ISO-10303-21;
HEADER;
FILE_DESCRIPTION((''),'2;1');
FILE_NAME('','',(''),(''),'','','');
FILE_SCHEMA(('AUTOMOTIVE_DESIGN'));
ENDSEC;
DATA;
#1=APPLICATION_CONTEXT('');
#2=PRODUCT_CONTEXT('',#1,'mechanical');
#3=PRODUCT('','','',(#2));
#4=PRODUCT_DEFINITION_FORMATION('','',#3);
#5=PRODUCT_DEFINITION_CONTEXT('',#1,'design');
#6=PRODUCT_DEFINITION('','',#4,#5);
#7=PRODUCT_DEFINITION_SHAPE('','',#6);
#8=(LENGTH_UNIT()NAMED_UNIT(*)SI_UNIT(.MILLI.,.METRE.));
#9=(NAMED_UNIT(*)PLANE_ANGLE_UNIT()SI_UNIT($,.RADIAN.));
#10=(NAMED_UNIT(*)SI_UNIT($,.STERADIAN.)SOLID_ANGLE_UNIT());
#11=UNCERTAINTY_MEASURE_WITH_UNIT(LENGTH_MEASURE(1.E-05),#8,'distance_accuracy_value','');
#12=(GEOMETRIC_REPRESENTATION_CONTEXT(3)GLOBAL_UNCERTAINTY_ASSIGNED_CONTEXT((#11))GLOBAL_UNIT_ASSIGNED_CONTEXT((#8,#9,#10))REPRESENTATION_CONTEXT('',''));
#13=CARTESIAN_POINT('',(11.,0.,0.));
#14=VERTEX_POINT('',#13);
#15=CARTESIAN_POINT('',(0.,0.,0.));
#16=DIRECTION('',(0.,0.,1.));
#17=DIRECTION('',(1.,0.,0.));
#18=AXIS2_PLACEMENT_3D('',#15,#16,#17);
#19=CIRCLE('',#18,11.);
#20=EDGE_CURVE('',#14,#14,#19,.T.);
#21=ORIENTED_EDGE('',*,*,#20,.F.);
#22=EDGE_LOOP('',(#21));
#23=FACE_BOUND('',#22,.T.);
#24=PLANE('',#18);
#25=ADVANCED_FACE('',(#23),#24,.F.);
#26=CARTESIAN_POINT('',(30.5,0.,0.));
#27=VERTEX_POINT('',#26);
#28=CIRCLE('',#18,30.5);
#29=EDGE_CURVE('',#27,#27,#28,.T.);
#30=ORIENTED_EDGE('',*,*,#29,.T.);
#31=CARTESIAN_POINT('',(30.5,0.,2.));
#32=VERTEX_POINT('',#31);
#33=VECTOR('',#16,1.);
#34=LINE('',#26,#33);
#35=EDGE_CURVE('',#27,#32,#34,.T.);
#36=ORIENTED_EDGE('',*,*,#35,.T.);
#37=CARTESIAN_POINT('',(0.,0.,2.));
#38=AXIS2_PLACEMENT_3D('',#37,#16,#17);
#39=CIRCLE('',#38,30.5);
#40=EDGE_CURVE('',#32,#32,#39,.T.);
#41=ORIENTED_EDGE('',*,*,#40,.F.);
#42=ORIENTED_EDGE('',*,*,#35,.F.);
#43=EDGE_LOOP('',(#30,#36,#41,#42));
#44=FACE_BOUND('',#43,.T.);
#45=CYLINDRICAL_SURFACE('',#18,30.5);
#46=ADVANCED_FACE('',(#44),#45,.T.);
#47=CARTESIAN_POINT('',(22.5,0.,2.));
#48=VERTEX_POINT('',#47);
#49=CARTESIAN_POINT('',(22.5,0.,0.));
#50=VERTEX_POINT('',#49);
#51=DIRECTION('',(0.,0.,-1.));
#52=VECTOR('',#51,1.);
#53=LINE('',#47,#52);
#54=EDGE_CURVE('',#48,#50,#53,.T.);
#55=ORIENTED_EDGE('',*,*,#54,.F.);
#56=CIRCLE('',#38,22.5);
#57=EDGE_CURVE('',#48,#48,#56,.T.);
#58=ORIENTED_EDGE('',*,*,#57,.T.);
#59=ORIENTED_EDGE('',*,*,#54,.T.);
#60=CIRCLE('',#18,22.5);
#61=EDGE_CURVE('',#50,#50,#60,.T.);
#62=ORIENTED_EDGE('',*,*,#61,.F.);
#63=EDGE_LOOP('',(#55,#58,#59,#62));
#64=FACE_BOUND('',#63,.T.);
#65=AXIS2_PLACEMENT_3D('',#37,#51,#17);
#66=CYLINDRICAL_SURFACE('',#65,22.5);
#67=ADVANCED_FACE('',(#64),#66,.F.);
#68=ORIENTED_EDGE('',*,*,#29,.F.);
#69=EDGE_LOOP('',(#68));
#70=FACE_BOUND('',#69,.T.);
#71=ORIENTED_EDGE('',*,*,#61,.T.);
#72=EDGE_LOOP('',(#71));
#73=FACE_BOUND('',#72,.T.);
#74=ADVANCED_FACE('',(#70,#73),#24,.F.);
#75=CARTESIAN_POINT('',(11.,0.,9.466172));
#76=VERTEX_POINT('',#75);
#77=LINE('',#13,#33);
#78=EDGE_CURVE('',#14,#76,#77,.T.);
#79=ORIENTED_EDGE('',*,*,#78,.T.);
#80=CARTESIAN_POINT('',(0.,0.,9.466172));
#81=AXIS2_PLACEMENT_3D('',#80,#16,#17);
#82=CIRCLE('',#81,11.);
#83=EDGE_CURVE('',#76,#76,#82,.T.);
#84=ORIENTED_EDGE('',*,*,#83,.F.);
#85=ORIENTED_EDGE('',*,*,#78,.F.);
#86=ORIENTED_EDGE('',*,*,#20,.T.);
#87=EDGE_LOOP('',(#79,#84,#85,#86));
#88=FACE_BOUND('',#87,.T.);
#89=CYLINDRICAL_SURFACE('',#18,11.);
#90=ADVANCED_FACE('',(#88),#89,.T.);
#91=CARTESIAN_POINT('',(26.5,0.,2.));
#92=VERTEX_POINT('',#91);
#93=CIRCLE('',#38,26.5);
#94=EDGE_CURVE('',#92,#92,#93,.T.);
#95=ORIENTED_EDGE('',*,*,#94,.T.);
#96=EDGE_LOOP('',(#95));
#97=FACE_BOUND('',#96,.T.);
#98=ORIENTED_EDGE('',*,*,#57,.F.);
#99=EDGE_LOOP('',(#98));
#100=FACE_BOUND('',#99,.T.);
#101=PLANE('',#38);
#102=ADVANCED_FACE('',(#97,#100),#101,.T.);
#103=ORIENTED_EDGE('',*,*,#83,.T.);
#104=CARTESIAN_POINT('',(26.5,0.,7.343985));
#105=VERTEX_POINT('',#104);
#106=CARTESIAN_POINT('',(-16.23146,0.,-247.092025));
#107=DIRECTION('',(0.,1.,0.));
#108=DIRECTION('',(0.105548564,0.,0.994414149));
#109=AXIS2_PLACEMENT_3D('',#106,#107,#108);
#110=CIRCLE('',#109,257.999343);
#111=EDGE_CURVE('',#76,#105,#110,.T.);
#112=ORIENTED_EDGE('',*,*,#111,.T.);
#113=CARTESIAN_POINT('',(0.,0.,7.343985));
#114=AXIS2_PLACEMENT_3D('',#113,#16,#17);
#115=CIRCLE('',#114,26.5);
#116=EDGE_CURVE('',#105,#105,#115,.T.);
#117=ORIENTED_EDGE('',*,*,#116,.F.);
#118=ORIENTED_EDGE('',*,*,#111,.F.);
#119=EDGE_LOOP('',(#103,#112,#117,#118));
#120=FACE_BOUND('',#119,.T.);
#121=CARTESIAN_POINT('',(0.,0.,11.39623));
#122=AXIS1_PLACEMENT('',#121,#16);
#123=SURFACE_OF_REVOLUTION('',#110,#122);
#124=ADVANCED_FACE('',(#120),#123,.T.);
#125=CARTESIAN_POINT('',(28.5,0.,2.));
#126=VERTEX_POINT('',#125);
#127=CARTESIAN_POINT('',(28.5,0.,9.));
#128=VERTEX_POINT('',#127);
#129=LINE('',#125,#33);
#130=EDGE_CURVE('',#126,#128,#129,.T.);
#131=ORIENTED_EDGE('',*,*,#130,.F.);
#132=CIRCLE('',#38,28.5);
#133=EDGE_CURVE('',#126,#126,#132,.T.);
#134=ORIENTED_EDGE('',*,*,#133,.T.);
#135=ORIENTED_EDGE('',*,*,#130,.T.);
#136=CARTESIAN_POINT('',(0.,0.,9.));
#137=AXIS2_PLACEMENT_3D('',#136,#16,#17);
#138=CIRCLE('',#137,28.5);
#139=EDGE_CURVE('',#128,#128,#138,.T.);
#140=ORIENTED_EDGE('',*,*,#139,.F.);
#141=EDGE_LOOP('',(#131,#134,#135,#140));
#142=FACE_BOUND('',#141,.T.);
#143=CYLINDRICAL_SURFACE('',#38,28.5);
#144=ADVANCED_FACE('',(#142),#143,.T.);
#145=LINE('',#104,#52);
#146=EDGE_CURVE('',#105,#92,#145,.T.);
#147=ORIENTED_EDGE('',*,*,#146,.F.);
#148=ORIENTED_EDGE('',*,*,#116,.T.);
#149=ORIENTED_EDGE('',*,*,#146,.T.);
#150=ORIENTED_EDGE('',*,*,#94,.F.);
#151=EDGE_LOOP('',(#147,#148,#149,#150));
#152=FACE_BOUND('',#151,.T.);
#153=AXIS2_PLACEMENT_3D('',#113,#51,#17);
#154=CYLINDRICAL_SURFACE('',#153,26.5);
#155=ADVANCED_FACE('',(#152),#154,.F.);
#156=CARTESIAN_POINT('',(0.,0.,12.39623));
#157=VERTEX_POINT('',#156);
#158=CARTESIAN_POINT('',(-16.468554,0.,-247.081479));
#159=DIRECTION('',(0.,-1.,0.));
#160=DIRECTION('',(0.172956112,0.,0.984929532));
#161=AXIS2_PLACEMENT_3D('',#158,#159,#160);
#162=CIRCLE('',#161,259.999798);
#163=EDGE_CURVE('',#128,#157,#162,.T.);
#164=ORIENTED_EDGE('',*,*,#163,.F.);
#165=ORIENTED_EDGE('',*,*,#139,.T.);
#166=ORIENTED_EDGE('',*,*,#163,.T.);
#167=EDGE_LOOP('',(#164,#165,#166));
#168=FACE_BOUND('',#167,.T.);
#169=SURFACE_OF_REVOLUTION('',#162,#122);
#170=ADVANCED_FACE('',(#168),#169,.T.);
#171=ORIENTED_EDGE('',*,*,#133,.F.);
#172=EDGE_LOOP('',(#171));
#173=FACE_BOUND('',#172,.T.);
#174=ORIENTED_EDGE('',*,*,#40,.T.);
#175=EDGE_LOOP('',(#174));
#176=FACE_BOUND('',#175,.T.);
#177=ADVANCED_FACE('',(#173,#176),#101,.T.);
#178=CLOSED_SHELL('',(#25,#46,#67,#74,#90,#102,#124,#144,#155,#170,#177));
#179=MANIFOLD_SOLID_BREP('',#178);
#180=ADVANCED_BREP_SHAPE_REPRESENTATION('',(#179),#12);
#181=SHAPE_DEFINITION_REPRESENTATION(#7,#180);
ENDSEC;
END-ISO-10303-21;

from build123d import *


with BuildPart() as f1:
    # F0 (on Front) → F1 (revolve)
    with BuildSketch(Plane.XZ):
        with BuildLine():
            Line((0, 10.39623), (0, 0))
            Line((0, 0), (9, 0))
            Line((9, 0), (11, 0))
            Line((11, 0), (11, 9.466172))
            ThreePointArc((11, 9.466172), (18.766089, 8.522592), (26.5, 7.343985))
            Line((26.5, 7.343985), (26.5, 2))
            Line((26.5, 2), (22.5, 2))
            Line((22.5, 2), (22.5, 0))
            Line((22.5, 0), (26.5, 0))
            Line((26.5, 0), (28.5, 0))
            Line((28.5, 0), (30.5, 0))
            Line((30.5, 0), (30.5, 2))
            Line((30.5, 2), (28.5, 2))
            Line((28.5, 2), (28.5, 7))
            Line((28.5, 7), (28.5, 9))
            ThreePointArc((28.5, 9), (14.2969, 11.091683), (0, 12.39623))
            Line((0, 12.39623), (0, 10.39623))
        make_face()
    revolve(axis=Axis((0, 0, 11.39623), (0, 0, 1)))


solid = f1.part
